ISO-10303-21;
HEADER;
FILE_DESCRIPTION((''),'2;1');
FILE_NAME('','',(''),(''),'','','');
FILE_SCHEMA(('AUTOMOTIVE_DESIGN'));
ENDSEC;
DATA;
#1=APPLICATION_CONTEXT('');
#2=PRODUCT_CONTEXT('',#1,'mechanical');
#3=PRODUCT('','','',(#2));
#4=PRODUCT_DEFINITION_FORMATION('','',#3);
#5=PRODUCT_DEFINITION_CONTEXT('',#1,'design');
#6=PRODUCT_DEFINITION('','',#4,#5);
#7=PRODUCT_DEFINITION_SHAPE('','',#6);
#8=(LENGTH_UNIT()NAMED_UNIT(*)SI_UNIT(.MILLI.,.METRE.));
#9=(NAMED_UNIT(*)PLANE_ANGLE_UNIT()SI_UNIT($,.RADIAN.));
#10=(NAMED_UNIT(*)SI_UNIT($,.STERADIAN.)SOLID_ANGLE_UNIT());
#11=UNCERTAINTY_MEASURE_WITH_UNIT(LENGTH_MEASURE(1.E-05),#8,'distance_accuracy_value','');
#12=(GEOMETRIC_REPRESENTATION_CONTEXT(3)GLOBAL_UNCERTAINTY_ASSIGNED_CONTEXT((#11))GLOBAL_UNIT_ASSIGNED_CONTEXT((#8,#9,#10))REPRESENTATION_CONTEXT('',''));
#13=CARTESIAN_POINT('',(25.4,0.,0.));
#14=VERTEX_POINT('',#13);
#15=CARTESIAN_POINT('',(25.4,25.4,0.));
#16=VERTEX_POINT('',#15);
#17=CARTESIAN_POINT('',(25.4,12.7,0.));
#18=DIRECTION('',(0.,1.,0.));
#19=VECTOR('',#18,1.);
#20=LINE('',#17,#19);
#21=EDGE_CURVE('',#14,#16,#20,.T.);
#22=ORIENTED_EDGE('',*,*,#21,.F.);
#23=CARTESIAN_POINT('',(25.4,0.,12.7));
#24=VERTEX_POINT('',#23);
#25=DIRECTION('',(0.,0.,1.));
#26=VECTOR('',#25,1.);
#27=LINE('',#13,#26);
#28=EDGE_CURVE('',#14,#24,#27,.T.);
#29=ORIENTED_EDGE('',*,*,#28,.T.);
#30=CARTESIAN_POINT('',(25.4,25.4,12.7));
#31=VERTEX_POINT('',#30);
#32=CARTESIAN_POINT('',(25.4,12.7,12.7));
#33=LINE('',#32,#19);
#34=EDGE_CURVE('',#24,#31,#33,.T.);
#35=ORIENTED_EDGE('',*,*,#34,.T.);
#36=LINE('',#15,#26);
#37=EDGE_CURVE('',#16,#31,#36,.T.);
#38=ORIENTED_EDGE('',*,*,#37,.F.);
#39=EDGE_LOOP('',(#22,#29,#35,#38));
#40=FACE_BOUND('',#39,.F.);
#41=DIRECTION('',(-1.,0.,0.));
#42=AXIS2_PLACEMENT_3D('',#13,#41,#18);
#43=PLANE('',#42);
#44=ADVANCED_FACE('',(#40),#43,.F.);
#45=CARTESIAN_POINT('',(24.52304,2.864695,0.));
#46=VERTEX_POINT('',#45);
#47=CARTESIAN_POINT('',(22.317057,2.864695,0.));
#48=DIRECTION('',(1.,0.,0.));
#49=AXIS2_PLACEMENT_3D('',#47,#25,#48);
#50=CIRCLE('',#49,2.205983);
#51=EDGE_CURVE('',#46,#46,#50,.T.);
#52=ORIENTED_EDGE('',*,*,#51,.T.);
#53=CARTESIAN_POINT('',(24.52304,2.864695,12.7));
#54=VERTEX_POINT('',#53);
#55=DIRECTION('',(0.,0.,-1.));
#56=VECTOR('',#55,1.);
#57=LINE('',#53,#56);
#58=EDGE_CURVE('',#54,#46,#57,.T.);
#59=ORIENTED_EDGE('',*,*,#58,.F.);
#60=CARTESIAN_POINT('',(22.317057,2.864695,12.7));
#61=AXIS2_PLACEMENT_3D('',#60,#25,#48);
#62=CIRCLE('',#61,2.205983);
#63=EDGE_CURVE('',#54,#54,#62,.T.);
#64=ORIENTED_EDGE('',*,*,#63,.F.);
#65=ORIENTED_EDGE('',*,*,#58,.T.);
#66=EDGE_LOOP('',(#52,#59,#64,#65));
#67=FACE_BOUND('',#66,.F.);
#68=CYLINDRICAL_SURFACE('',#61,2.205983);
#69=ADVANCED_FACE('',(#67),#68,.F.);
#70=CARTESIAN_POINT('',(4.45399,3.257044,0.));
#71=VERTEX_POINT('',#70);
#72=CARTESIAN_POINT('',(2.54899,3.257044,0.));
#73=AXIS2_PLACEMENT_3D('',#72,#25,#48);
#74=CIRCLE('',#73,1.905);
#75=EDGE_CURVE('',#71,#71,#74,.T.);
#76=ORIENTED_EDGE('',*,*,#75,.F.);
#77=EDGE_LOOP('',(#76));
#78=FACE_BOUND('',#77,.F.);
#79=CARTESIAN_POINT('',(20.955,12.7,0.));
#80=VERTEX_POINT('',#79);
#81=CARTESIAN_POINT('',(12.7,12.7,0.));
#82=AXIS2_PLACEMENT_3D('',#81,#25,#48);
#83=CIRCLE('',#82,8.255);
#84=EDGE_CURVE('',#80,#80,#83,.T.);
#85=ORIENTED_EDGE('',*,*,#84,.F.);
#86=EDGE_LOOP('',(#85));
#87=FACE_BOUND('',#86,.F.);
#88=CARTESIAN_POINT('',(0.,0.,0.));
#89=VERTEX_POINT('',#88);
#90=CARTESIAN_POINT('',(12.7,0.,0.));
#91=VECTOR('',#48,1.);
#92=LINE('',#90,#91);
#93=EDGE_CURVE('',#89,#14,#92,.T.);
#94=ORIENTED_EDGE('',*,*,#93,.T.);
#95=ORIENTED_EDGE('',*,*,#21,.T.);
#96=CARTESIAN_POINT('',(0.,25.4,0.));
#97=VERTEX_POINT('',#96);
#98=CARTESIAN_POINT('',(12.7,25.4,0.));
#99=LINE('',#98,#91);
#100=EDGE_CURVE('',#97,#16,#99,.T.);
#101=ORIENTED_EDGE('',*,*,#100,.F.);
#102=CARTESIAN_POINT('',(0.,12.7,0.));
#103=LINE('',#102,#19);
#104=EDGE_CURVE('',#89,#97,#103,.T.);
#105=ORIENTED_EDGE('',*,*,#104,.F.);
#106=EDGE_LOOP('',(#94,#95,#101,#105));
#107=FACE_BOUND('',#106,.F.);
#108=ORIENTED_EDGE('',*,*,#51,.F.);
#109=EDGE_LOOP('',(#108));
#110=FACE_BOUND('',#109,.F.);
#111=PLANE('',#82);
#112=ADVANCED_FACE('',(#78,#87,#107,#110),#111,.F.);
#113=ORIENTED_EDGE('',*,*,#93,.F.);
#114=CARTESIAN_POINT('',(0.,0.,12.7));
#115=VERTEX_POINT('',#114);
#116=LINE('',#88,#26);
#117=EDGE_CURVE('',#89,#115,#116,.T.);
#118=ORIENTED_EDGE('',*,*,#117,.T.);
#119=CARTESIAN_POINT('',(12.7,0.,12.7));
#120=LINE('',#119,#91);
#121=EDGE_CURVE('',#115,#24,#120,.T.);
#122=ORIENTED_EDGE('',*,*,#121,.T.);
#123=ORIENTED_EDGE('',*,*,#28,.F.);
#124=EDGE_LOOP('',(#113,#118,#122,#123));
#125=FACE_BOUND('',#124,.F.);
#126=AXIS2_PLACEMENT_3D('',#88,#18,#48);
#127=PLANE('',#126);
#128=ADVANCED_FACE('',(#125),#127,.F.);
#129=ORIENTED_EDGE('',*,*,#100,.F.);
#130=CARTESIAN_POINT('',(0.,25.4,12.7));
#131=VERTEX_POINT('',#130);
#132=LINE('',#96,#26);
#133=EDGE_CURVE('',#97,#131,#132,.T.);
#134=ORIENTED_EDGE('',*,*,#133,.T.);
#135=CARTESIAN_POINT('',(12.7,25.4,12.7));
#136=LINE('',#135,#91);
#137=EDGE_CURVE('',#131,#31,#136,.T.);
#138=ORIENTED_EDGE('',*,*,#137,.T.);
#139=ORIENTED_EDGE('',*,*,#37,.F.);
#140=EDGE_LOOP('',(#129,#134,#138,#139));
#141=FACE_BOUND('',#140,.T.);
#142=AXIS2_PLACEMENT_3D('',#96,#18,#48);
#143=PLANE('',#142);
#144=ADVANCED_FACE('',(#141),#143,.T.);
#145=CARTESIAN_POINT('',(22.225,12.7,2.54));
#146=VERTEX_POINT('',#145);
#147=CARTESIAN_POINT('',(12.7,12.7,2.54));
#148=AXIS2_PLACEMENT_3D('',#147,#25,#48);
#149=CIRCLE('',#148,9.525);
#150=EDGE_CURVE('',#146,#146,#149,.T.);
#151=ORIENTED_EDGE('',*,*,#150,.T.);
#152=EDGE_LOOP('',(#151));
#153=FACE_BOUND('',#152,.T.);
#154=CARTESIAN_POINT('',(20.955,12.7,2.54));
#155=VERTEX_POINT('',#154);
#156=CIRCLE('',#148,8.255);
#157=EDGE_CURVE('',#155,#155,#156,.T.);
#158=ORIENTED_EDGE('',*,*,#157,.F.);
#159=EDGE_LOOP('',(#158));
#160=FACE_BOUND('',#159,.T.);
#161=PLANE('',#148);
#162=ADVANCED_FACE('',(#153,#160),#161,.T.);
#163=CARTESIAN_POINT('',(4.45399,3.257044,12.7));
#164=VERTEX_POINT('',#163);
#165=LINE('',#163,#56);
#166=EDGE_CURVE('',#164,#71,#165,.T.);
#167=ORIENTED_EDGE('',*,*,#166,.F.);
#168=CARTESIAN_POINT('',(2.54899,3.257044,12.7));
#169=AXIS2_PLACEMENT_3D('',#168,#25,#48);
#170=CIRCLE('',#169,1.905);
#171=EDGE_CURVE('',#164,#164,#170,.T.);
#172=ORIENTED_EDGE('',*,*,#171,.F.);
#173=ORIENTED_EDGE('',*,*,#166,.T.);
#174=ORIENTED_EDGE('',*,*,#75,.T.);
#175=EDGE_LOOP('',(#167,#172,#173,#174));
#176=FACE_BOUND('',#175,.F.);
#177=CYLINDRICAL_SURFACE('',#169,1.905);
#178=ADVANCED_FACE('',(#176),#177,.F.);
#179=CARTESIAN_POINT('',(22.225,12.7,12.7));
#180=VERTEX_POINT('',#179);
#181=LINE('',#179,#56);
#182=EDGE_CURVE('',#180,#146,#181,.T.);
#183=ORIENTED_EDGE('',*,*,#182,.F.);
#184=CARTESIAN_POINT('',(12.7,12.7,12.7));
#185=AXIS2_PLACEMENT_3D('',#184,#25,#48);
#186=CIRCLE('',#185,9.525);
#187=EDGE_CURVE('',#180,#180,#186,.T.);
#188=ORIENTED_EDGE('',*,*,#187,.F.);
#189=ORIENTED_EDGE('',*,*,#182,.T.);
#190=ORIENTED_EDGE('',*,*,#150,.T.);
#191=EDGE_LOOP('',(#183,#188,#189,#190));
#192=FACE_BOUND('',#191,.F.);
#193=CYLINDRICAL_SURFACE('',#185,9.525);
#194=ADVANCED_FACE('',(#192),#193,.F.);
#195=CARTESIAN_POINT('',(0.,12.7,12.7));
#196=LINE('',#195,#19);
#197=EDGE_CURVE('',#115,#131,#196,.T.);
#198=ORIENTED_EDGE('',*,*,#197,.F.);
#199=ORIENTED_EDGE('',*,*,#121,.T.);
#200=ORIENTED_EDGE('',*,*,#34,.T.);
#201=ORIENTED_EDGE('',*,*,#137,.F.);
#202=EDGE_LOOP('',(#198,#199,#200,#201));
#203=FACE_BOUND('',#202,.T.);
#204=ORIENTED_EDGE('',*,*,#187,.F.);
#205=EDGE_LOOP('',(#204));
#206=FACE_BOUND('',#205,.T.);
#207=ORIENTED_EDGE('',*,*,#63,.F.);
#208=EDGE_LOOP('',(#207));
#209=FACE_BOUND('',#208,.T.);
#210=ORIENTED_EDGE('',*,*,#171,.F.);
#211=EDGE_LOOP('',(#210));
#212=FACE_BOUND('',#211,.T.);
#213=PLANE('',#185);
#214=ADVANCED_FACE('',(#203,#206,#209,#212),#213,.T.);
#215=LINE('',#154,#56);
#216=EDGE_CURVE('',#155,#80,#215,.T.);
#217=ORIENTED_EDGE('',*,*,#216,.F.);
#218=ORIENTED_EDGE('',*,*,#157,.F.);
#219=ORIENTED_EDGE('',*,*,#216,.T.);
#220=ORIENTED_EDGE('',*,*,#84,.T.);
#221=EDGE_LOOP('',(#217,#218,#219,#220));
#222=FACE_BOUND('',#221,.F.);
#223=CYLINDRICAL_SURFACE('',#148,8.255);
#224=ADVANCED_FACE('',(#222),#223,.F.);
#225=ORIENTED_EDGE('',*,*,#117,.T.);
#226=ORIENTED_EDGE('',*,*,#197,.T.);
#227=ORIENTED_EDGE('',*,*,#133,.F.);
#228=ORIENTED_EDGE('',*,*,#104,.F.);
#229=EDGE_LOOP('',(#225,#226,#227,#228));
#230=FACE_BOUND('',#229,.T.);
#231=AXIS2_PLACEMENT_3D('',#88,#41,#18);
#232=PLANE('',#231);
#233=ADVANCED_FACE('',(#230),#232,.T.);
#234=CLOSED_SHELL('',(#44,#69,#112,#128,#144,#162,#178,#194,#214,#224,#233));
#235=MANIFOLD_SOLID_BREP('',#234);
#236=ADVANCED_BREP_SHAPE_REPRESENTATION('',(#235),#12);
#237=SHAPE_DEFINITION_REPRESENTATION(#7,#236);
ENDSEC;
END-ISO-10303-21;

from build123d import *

# Parameters (mm, degrees)
F0_W     = 25.4
F0_H     = 25.4
F1_DEPTH = 12.7
F2_R     = 9.525
F3_DEPTH = 10.16
F4_R     = 8.255
F5_DEPTH = 2.541
F6_R     = 1.905
F7_DEPTH = 12.701
F8_R     = 2.205983
F9_DEPTH = 12.701


with BuildPart() as f1:
    # F0 (on Top) → F1 (new body)
    with BuildSketch(Plane.XY):
        with Locations((12.7, 12.7)):
            Rectangle(F0_W, F0_H)
    extrude(amount=F1_DEPTH)

    # F2 (on face) → F3 (cut)
    with BuildSketch(Plane.XY.offset(12.7)):
        with Locations((12.7, 12.7)):
            Circle(F2_R)
    extrude(amount=-F3_DEPTH, mode=Mode.SUBTRACT)

    # F4 (on face) → F5 (cut, through all)
    with BuildSketch(Plane.XY.offset(2.54)):
        with Locations((12.7, 12.7)):
            Circle(F4_R)
    extrude(amount=-F5_DEPTH, mode=Mode.SUBTRACT)

    # F6 (on face) → F7 (cut, through all)
    with BuildSketch(Plane.XY.offset(12.7)):
        with Locations((2.54899, 3.257044)):
            Circle(F6_R)
    extrude(amount=-F7_DEPTH, mode=Mode.SUBTRACT)

    # F8 (on face) → F9 (cut, through all)
    with BuildSketch(Plane.XY.offset(12.7)):
        with Locations((22.317057, 2.864695)):
            Circle(F8_R)
    extrude(amount=-F9_DEPTH, mode=Mode.SUBTRACT)


solid = f1.part
